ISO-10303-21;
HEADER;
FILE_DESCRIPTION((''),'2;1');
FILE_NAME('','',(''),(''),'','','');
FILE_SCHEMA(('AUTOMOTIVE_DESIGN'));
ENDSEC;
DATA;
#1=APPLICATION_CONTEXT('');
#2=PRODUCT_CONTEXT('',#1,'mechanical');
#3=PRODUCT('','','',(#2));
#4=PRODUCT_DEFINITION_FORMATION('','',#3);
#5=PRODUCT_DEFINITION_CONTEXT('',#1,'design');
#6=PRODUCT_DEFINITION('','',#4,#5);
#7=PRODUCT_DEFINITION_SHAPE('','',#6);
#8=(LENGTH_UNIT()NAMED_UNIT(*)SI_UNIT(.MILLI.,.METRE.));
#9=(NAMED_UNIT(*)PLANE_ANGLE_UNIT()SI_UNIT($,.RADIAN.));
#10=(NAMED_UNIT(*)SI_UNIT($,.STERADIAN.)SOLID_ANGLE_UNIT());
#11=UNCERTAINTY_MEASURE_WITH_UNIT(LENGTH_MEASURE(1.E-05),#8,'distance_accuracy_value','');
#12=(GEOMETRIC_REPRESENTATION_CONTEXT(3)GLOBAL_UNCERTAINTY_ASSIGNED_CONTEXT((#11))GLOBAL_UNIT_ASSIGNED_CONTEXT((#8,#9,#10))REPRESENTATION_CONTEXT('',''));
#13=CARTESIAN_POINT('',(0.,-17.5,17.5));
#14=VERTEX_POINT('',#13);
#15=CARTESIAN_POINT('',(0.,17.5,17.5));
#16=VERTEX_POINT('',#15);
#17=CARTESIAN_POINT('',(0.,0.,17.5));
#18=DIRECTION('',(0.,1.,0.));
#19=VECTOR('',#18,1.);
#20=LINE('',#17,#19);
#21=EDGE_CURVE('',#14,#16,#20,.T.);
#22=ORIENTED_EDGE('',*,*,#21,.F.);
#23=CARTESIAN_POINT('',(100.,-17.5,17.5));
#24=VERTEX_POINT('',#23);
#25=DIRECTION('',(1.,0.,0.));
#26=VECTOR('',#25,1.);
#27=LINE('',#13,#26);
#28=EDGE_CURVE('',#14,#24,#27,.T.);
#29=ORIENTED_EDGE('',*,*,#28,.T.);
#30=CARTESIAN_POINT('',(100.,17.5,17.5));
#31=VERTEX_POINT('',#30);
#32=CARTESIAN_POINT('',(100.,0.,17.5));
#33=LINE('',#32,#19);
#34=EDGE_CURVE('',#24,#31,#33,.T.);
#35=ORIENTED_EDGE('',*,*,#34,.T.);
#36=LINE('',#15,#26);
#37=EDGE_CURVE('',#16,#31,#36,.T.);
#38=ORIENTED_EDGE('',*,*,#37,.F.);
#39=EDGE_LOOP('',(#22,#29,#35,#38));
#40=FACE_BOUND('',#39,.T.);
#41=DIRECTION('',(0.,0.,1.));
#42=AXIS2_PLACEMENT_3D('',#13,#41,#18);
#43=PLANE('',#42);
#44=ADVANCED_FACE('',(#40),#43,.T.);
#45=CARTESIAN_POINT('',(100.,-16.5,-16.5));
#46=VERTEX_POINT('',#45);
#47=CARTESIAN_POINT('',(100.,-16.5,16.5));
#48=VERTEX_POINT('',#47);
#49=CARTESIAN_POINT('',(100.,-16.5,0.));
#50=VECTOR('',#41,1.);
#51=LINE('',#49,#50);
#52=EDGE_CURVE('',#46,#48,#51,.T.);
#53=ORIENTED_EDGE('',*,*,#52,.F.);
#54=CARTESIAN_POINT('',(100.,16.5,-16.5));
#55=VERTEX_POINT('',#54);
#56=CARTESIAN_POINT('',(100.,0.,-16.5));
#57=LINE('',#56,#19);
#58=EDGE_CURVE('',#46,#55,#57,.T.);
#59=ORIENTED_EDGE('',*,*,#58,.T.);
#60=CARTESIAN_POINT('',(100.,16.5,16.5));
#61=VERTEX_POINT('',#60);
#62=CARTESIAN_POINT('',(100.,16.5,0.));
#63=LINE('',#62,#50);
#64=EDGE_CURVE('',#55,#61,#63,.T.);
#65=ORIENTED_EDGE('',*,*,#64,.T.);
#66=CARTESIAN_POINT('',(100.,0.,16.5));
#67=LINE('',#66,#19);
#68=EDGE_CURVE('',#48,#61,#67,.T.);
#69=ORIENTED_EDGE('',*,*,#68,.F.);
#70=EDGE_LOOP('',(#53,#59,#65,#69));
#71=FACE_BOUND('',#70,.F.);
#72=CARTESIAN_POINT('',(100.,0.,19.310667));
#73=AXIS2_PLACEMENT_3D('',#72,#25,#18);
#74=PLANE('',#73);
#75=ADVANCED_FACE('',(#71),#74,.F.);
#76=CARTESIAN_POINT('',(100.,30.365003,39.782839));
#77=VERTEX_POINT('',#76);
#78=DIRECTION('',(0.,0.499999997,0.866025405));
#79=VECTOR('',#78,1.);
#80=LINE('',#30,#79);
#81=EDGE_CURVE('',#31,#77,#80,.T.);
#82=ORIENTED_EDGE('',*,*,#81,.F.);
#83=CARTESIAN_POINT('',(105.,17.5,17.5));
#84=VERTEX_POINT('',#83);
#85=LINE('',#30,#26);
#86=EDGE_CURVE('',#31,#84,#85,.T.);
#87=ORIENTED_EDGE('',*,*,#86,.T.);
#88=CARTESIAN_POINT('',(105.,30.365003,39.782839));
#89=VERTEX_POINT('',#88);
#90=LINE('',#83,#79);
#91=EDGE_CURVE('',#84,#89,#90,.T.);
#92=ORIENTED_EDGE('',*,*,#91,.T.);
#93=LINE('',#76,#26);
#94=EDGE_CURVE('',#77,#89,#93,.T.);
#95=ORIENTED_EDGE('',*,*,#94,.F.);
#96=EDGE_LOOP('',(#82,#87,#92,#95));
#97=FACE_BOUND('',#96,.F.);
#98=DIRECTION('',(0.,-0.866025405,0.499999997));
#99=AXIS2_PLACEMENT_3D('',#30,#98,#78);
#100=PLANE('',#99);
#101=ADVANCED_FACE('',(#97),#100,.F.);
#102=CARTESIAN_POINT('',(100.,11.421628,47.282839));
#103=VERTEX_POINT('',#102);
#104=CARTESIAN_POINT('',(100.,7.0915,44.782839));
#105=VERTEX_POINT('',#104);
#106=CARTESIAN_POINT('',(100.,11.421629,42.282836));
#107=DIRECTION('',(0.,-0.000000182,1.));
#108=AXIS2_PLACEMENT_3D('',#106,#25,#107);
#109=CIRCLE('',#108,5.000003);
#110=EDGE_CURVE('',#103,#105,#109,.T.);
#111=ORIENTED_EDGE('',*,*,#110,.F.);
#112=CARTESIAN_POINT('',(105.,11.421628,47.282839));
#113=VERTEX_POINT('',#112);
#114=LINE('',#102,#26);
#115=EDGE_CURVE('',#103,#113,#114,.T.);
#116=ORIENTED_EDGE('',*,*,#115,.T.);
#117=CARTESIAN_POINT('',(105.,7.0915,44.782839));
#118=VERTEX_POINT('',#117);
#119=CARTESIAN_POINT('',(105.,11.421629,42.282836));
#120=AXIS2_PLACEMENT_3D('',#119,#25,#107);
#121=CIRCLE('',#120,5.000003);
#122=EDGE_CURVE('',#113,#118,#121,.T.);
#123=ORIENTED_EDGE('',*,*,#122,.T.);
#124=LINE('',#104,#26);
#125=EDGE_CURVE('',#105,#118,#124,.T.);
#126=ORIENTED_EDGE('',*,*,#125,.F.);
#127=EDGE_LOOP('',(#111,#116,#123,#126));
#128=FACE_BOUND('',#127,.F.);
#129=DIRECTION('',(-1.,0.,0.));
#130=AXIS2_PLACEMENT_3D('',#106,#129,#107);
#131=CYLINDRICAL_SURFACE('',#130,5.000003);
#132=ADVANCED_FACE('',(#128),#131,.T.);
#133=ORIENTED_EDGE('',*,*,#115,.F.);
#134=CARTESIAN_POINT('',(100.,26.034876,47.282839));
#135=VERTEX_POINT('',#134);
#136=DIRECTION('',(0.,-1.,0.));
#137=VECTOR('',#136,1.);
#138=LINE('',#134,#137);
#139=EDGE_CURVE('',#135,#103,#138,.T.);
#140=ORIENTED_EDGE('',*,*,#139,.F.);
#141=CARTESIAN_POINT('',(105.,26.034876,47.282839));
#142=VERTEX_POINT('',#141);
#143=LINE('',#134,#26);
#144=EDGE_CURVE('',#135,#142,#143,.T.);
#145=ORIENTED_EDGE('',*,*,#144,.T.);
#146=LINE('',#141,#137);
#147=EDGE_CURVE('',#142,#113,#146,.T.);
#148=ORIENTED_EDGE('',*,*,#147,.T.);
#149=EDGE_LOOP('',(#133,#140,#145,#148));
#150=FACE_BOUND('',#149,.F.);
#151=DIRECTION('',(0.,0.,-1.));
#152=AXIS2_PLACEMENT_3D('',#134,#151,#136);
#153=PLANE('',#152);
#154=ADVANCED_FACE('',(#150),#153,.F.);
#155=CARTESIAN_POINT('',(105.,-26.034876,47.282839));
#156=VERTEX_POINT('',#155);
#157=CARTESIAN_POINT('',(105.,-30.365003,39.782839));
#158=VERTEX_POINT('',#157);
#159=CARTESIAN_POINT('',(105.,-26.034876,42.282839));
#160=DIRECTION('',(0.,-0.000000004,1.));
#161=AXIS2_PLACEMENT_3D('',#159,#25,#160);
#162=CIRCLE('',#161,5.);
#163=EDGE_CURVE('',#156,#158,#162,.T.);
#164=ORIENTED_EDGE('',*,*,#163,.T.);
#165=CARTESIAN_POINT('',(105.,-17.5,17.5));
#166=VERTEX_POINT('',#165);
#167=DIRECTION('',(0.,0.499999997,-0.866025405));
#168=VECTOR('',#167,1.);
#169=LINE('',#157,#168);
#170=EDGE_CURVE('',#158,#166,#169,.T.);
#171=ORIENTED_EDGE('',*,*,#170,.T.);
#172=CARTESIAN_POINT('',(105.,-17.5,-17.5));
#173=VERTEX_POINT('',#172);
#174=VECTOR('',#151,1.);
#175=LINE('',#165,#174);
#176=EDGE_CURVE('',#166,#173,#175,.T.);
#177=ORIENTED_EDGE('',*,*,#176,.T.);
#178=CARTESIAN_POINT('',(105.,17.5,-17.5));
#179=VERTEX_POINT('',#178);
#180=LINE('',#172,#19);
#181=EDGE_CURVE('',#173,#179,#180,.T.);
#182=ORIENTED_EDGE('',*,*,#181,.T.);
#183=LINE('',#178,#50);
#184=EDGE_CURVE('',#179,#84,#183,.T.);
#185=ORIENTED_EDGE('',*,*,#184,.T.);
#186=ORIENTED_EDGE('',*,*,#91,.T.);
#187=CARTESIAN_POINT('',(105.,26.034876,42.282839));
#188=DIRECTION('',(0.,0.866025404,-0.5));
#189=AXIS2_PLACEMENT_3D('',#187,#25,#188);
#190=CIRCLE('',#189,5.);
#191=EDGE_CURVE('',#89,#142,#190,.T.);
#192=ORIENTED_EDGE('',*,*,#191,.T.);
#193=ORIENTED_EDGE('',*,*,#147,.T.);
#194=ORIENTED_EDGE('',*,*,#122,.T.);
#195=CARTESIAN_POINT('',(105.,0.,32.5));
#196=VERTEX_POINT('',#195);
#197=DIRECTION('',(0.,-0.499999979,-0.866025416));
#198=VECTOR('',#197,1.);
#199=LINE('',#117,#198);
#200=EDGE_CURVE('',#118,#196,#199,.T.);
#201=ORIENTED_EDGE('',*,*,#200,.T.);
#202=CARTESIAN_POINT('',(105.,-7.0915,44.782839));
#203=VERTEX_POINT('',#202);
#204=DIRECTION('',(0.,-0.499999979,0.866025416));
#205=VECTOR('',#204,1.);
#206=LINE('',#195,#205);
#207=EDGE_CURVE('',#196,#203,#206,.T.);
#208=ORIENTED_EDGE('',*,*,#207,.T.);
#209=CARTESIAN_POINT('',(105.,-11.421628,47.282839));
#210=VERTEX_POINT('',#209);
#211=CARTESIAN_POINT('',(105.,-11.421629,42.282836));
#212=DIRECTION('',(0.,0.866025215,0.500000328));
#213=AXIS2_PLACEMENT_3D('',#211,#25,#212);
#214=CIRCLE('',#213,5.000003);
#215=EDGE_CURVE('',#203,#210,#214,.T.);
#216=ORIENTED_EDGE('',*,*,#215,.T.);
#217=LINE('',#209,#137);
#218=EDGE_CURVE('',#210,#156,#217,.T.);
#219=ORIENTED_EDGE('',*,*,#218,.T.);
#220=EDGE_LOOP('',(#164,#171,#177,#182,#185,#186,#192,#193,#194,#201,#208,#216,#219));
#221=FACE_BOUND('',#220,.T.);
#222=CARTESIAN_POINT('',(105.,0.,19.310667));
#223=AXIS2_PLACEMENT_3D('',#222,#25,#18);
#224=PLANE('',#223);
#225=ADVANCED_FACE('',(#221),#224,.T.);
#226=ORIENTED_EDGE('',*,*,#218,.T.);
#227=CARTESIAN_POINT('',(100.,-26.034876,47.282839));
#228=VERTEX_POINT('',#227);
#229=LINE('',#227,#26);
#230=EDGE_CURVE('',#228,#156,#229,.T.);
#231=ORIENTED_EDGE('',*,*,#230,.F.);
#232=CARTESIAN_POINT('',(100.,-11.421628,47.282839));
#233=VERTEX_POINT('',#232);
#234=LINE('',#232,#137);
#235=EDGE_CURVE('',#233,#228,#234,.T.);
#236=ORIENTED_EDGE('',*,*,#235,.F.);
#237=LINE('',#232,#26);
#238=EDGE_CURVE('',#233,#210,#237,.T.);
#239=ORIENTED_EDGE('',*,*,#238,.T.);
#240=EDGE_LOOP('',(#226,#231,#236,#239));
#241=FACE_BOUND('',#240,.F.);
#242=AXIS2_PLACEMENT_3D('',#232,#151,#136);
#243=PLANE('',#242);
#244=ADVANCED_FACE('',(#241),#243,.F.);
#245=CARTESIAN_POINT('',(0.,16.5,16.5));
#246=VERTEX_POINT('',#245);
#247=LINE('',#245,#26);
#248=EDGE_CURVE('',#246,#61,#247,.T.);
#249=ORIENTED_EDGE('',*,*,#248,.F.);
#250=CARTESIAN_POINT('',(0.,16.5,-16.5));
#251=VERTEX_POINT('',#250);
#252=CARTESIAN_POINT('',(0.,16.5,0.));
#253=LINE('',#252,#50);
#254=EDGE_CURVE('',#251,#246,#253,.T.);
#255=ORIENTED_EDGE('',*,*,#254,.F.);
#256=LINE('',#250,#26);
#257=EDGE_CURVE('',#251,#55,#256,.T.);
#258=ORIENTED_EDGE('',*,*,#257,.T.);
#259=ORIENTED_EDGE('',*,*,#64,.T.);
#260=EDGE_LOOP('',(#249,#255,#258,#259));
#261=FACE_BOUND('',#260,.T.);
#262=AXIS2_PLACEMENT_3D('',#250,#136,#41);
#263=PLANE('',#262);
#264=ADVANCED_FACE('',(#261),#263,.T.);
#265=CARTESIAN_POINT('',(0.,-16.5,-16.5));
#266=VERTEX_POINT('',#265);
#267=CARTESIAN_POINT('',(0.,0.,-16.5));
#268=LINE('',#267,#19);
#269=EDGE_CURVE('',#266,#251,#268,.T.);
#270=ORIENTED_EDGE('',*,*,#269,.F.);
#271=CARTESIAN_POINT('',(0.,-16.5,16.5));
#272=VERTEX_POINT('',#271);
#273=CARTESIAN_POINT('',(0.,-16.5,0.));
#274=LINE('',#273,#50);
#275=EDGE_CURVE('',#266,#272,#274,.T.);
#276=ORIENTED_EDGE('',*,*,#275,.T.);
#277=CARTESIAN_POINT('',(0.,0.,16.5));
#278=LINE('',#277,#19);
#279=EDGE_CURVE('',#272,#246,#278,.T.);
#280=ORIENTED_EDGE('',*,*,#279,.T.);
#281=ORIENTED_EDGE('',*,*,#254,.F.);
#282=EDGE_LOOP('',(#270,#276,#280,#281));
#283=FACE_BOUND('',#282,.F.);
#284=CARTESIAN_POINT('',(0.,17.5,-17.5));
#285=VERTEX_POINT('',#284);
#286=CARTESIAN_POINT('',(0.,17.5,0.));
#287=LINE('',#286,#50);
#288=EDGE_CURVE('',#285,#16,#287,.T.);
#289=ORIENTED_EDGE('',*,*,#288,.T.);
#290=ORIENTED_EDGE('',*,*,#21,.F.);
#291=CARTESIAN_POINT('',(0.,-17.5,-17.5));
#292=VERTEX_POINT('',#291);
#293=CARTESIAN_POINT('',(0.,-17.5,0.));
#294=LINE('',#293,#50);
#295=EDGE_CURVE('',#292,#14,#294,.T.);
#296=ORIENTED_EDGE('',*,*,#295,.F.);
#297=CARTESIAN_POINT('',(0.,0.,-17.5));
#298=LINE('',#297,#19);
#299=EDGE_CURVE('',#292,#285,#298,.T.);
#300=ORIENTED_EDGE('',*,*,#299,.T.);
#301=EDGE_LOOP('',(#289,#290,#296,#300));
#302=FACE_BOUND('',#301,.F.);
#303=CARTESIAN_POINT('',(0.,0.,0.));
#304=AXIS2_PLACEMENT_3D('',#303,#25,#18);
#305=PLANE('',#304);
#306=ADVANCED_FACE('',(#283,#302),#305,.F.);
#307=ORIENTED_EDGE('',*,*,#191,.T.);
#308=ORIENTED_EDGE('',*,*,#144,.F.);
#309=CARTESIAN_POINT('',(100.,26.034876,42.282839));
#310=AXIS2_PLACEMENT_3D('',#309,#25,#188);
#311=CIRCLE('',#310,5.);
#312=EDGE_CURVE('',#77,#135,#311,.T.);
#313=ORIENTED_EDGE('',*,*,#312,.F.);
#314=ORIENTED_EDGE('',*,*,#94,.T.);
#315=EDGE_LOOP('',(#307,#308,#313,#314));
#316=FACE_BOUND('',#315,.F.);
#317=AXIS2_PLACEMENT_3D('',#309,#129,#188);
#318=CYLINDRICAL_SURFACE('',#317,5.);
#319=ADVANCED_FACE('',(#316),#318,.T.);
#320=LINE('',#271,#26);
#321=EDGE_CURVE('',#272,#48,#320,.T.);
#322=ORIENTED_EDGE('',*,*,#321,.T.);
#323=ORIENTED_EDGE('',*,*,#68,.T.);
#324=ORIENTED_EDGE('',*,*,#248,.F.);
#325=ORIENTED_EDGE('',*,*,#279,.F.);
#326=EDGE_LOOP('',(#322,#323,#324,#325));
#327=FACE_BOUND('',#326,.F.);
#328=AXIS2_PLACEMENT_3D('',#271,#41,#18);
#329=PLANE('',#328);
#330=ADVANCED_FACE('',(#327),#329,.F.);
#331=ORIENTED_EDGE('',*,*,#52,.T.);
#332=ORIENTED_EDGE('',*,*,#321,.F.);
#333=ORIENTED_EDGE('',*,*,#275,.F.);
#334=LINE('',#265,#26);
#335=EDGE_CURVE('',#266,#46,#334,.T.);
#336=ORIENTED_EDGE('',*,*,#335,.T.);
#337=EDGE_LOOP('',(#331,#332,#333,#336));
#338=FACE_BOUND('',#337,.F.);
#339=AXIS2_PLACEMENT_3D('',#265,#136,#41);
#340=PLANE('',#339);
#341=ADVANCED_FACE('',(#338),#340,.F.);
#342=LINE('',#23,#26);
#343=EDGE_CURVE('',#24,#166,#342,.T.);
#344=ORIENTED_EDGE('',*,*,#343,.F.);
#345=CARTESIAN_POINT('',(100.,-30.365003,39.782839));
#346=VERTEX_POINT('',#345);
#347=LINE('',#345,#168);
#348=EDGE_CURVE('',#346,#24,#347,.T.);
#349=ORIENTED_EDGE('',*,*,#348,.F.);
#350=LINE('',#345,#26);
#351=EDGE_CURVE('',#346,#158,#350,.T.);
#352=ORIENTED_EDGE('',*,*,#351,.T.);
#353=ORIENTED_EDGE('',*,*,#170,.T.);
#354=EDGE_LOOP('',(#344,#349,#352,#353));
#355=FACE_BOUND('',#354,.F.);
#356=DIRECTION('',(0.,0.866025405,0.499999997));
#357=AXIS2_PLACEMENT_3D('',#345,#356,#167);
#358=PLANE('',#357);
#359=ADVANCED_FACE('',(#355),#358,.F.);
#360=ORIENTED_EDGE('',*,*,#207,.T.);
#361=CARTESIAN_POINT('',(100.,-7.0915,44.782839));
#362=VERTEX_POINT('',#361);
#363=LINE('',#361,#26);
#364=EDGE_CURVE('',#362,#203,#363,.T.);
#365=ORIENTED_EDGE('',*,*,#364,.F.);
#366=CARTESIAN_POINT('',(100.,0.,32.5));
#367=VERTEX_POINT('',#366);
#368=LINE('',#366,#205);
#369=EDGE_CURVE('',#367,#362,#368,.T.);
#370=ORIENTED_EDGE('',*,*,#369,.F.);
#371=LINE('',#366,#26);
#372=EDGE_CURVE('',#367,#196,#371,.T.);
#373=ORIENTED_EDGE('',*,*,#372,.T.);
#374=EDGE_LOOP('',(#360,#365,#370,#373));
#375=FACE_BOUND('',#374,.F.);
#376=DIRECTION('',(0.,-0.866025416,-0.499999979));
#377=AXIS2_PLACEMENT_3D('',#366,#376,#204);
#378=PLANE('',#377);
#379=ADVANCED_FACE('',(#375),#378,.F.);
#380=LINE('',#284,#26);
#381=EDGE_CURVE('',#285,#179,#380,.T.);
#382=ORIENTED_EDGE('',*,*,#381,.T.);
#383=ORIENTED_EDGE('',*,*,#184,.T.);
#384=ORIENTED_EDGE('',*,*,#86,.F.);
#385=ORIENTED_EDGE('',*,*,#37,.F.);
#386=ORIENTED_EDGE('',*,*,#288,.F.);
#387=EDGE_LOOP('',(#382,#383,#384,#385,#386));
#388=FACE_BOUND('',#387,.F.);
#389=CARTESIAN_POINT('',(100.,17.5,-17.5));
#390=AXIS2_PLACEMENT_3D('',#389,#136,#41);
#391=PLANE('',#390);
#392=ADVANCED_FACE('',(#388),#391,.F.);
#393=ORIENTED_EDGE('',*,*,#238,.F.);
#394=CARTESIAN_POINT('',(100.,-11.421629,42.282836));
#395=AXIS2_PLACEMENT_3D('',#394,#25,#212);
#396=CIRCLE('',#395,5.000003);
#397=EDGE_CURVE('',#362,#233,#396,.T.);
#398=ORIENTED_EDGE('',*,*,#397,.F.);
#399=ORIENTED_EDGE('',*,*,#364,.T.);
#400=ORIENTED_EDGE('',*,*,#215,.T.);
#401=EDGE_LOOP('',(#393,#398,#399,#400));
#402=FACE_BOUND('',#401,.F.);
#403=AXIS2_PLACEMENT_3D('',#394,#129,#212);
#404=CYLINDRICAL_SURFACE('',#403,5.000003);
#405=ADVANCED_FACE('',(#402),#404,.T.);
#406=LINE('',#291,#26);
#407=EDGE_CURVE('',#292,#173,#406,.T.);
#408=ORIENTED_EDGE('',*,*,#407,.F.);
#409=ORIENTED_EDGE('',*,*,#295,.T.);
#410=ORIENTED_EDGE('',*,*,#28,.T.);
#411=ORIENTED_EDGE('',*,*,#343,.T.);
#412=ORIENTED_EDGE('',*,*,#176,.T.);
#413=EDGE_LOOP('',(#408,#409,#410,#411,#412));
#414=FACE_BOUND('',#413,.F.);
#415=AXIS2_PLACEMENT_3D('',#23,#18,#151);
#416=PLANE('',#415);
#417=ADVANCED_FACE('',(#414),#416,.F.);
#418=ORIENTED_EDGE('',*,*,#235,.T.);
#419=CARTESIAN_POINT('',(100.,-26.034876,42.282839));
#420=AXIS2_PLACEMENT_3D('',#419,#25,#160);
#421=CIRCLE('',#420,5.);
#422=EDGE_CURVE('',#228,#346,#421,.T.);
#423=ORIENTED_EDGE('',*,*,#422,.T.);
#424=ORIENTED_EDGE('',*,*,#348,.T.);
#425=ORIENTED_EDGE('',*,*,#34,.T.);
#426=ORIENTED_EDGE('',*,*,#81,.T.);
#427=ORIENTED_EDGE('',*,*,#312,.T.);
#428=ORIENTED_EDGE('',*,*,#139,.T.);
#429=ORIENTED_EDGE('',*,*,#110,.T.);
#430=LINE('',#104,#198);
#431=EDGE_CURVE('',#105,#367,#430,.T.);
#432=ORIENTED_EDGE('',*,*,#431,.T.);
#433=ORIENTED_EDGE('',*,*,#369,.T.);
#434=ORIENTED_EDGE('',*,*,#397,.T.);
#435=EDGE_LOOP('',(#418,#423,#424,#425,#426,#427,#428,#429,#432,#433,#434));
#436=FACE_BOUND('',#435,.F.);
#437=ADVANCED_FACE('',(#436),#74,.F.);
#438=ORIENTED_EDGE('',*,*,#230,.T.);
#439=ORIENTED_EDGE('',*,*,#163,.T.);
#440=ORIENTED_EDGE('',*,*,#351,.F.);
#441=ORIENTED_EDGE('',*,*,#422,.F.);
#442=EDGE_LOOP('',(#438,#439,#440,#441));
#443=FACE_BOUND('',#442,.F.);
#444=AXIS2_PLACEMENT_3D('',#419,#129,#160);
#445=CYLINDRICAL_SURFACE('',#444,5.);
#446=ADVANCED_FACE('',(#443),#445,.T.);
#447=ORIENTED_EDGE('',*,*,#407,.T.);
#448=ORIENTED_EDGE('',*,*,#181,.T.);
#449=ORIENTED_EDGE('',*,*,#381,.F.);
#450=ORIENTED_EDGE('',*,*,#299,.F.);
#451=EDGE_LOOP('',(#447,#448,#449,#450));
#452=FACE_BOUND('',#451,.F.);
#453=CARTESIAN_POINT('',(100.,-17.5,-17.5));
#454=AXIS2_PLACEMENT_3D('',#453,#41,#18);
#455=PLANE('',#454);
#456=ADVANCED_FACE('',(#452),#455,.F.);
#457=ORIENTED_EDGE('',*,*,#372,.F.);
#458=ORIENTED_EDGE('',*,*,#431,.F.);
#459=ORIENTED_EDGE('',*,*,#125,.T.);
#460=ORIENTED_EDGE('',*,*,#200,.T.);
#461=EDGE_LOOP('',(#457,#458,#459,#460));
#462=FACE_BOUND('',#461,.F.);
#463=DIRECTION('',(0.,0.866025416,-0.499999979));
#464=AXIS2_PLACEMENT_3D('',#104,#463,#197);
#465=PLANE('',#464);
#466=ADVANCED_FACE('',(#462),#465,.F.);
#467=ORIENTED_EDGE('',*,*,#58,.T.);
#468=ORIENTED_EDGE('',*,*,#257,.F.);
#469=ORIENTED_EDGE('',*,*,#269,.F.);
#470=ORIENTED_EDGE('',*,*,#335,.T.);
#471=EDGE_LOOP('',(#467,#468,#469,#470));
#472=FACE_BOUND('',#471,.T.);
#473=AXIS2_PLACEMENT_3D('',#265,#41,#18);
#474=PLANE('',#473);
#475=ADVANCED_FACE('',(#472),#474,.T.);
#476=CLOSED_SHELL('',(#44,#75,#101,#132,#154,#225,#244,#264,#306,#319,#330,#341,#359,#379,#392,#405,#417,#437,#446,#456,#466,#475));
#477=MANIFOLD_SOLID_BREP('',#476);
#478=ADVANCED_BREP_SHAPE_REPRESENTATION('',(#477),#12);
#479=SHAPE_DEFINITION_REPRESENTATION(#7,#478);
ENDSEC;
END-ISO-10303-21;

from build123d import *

# Parameters (mm, degrees)
F0_W     = 35
F0_H     = 35
F0_W_2   = 33
F0_H_2   = 33
F1_DEPTH = 100
F3_DEPTH = 5


with BuildPart() as f1:
    # F0 (on Right) → F1 (new body)
    with BuildSketch(Plane.YZ):
        Rectangle(F0_W, F0_H)
        Rectangle(F0_W_2, F0_H_2, mode=Mode.SUBTRACT)
    extrude(amount=F1_DEPTH)

    # F2 (on face) → F3 (join)
    with BuildSketch(Plane.YZ.offset(100)):
        with BuildLine():
            Line((-17.5, 17.5), (-17.5, -17.5))
            Line((-17.5, -17.5), (17.5, -17.5))
            Line((17.5, -17.5), (17.5, 17.5))
            Line((17.5, 17.5), (30.365003, 39.782839))
            ThreePointArc((30.365003, 39.782839), (30.365003, 44.782839), (26.034876, 47.282839))
            Line((26.034876, 47.282839), (11.421628, 47.282839))
            ThreePointArc((11.421628, 47.282839), (8.921628, 46.612966), (7.0915, 44.782839))
            Line((7.0915, 44.782839), (0, 32.5))
            Line((0, 32.5), (-7.0915, 44.782839))
            ThreePointArc((-7.0915, 44.782839), (-8.921628, 46.612966), (-11.421628, 47.282839))
            Line((-11.421628, 47.282839), (-26.034876, 47.282839))
            ThreePointArc((-26.034876, 47.282839), (-30.365003, 44.782839), (-30.365003, 39.782839))
            Line((-30.365003, 39.782839), (-17.5, 17.5))
        make_face()
    extrude(amount=F3_DEPTH)


solid = f1.part
